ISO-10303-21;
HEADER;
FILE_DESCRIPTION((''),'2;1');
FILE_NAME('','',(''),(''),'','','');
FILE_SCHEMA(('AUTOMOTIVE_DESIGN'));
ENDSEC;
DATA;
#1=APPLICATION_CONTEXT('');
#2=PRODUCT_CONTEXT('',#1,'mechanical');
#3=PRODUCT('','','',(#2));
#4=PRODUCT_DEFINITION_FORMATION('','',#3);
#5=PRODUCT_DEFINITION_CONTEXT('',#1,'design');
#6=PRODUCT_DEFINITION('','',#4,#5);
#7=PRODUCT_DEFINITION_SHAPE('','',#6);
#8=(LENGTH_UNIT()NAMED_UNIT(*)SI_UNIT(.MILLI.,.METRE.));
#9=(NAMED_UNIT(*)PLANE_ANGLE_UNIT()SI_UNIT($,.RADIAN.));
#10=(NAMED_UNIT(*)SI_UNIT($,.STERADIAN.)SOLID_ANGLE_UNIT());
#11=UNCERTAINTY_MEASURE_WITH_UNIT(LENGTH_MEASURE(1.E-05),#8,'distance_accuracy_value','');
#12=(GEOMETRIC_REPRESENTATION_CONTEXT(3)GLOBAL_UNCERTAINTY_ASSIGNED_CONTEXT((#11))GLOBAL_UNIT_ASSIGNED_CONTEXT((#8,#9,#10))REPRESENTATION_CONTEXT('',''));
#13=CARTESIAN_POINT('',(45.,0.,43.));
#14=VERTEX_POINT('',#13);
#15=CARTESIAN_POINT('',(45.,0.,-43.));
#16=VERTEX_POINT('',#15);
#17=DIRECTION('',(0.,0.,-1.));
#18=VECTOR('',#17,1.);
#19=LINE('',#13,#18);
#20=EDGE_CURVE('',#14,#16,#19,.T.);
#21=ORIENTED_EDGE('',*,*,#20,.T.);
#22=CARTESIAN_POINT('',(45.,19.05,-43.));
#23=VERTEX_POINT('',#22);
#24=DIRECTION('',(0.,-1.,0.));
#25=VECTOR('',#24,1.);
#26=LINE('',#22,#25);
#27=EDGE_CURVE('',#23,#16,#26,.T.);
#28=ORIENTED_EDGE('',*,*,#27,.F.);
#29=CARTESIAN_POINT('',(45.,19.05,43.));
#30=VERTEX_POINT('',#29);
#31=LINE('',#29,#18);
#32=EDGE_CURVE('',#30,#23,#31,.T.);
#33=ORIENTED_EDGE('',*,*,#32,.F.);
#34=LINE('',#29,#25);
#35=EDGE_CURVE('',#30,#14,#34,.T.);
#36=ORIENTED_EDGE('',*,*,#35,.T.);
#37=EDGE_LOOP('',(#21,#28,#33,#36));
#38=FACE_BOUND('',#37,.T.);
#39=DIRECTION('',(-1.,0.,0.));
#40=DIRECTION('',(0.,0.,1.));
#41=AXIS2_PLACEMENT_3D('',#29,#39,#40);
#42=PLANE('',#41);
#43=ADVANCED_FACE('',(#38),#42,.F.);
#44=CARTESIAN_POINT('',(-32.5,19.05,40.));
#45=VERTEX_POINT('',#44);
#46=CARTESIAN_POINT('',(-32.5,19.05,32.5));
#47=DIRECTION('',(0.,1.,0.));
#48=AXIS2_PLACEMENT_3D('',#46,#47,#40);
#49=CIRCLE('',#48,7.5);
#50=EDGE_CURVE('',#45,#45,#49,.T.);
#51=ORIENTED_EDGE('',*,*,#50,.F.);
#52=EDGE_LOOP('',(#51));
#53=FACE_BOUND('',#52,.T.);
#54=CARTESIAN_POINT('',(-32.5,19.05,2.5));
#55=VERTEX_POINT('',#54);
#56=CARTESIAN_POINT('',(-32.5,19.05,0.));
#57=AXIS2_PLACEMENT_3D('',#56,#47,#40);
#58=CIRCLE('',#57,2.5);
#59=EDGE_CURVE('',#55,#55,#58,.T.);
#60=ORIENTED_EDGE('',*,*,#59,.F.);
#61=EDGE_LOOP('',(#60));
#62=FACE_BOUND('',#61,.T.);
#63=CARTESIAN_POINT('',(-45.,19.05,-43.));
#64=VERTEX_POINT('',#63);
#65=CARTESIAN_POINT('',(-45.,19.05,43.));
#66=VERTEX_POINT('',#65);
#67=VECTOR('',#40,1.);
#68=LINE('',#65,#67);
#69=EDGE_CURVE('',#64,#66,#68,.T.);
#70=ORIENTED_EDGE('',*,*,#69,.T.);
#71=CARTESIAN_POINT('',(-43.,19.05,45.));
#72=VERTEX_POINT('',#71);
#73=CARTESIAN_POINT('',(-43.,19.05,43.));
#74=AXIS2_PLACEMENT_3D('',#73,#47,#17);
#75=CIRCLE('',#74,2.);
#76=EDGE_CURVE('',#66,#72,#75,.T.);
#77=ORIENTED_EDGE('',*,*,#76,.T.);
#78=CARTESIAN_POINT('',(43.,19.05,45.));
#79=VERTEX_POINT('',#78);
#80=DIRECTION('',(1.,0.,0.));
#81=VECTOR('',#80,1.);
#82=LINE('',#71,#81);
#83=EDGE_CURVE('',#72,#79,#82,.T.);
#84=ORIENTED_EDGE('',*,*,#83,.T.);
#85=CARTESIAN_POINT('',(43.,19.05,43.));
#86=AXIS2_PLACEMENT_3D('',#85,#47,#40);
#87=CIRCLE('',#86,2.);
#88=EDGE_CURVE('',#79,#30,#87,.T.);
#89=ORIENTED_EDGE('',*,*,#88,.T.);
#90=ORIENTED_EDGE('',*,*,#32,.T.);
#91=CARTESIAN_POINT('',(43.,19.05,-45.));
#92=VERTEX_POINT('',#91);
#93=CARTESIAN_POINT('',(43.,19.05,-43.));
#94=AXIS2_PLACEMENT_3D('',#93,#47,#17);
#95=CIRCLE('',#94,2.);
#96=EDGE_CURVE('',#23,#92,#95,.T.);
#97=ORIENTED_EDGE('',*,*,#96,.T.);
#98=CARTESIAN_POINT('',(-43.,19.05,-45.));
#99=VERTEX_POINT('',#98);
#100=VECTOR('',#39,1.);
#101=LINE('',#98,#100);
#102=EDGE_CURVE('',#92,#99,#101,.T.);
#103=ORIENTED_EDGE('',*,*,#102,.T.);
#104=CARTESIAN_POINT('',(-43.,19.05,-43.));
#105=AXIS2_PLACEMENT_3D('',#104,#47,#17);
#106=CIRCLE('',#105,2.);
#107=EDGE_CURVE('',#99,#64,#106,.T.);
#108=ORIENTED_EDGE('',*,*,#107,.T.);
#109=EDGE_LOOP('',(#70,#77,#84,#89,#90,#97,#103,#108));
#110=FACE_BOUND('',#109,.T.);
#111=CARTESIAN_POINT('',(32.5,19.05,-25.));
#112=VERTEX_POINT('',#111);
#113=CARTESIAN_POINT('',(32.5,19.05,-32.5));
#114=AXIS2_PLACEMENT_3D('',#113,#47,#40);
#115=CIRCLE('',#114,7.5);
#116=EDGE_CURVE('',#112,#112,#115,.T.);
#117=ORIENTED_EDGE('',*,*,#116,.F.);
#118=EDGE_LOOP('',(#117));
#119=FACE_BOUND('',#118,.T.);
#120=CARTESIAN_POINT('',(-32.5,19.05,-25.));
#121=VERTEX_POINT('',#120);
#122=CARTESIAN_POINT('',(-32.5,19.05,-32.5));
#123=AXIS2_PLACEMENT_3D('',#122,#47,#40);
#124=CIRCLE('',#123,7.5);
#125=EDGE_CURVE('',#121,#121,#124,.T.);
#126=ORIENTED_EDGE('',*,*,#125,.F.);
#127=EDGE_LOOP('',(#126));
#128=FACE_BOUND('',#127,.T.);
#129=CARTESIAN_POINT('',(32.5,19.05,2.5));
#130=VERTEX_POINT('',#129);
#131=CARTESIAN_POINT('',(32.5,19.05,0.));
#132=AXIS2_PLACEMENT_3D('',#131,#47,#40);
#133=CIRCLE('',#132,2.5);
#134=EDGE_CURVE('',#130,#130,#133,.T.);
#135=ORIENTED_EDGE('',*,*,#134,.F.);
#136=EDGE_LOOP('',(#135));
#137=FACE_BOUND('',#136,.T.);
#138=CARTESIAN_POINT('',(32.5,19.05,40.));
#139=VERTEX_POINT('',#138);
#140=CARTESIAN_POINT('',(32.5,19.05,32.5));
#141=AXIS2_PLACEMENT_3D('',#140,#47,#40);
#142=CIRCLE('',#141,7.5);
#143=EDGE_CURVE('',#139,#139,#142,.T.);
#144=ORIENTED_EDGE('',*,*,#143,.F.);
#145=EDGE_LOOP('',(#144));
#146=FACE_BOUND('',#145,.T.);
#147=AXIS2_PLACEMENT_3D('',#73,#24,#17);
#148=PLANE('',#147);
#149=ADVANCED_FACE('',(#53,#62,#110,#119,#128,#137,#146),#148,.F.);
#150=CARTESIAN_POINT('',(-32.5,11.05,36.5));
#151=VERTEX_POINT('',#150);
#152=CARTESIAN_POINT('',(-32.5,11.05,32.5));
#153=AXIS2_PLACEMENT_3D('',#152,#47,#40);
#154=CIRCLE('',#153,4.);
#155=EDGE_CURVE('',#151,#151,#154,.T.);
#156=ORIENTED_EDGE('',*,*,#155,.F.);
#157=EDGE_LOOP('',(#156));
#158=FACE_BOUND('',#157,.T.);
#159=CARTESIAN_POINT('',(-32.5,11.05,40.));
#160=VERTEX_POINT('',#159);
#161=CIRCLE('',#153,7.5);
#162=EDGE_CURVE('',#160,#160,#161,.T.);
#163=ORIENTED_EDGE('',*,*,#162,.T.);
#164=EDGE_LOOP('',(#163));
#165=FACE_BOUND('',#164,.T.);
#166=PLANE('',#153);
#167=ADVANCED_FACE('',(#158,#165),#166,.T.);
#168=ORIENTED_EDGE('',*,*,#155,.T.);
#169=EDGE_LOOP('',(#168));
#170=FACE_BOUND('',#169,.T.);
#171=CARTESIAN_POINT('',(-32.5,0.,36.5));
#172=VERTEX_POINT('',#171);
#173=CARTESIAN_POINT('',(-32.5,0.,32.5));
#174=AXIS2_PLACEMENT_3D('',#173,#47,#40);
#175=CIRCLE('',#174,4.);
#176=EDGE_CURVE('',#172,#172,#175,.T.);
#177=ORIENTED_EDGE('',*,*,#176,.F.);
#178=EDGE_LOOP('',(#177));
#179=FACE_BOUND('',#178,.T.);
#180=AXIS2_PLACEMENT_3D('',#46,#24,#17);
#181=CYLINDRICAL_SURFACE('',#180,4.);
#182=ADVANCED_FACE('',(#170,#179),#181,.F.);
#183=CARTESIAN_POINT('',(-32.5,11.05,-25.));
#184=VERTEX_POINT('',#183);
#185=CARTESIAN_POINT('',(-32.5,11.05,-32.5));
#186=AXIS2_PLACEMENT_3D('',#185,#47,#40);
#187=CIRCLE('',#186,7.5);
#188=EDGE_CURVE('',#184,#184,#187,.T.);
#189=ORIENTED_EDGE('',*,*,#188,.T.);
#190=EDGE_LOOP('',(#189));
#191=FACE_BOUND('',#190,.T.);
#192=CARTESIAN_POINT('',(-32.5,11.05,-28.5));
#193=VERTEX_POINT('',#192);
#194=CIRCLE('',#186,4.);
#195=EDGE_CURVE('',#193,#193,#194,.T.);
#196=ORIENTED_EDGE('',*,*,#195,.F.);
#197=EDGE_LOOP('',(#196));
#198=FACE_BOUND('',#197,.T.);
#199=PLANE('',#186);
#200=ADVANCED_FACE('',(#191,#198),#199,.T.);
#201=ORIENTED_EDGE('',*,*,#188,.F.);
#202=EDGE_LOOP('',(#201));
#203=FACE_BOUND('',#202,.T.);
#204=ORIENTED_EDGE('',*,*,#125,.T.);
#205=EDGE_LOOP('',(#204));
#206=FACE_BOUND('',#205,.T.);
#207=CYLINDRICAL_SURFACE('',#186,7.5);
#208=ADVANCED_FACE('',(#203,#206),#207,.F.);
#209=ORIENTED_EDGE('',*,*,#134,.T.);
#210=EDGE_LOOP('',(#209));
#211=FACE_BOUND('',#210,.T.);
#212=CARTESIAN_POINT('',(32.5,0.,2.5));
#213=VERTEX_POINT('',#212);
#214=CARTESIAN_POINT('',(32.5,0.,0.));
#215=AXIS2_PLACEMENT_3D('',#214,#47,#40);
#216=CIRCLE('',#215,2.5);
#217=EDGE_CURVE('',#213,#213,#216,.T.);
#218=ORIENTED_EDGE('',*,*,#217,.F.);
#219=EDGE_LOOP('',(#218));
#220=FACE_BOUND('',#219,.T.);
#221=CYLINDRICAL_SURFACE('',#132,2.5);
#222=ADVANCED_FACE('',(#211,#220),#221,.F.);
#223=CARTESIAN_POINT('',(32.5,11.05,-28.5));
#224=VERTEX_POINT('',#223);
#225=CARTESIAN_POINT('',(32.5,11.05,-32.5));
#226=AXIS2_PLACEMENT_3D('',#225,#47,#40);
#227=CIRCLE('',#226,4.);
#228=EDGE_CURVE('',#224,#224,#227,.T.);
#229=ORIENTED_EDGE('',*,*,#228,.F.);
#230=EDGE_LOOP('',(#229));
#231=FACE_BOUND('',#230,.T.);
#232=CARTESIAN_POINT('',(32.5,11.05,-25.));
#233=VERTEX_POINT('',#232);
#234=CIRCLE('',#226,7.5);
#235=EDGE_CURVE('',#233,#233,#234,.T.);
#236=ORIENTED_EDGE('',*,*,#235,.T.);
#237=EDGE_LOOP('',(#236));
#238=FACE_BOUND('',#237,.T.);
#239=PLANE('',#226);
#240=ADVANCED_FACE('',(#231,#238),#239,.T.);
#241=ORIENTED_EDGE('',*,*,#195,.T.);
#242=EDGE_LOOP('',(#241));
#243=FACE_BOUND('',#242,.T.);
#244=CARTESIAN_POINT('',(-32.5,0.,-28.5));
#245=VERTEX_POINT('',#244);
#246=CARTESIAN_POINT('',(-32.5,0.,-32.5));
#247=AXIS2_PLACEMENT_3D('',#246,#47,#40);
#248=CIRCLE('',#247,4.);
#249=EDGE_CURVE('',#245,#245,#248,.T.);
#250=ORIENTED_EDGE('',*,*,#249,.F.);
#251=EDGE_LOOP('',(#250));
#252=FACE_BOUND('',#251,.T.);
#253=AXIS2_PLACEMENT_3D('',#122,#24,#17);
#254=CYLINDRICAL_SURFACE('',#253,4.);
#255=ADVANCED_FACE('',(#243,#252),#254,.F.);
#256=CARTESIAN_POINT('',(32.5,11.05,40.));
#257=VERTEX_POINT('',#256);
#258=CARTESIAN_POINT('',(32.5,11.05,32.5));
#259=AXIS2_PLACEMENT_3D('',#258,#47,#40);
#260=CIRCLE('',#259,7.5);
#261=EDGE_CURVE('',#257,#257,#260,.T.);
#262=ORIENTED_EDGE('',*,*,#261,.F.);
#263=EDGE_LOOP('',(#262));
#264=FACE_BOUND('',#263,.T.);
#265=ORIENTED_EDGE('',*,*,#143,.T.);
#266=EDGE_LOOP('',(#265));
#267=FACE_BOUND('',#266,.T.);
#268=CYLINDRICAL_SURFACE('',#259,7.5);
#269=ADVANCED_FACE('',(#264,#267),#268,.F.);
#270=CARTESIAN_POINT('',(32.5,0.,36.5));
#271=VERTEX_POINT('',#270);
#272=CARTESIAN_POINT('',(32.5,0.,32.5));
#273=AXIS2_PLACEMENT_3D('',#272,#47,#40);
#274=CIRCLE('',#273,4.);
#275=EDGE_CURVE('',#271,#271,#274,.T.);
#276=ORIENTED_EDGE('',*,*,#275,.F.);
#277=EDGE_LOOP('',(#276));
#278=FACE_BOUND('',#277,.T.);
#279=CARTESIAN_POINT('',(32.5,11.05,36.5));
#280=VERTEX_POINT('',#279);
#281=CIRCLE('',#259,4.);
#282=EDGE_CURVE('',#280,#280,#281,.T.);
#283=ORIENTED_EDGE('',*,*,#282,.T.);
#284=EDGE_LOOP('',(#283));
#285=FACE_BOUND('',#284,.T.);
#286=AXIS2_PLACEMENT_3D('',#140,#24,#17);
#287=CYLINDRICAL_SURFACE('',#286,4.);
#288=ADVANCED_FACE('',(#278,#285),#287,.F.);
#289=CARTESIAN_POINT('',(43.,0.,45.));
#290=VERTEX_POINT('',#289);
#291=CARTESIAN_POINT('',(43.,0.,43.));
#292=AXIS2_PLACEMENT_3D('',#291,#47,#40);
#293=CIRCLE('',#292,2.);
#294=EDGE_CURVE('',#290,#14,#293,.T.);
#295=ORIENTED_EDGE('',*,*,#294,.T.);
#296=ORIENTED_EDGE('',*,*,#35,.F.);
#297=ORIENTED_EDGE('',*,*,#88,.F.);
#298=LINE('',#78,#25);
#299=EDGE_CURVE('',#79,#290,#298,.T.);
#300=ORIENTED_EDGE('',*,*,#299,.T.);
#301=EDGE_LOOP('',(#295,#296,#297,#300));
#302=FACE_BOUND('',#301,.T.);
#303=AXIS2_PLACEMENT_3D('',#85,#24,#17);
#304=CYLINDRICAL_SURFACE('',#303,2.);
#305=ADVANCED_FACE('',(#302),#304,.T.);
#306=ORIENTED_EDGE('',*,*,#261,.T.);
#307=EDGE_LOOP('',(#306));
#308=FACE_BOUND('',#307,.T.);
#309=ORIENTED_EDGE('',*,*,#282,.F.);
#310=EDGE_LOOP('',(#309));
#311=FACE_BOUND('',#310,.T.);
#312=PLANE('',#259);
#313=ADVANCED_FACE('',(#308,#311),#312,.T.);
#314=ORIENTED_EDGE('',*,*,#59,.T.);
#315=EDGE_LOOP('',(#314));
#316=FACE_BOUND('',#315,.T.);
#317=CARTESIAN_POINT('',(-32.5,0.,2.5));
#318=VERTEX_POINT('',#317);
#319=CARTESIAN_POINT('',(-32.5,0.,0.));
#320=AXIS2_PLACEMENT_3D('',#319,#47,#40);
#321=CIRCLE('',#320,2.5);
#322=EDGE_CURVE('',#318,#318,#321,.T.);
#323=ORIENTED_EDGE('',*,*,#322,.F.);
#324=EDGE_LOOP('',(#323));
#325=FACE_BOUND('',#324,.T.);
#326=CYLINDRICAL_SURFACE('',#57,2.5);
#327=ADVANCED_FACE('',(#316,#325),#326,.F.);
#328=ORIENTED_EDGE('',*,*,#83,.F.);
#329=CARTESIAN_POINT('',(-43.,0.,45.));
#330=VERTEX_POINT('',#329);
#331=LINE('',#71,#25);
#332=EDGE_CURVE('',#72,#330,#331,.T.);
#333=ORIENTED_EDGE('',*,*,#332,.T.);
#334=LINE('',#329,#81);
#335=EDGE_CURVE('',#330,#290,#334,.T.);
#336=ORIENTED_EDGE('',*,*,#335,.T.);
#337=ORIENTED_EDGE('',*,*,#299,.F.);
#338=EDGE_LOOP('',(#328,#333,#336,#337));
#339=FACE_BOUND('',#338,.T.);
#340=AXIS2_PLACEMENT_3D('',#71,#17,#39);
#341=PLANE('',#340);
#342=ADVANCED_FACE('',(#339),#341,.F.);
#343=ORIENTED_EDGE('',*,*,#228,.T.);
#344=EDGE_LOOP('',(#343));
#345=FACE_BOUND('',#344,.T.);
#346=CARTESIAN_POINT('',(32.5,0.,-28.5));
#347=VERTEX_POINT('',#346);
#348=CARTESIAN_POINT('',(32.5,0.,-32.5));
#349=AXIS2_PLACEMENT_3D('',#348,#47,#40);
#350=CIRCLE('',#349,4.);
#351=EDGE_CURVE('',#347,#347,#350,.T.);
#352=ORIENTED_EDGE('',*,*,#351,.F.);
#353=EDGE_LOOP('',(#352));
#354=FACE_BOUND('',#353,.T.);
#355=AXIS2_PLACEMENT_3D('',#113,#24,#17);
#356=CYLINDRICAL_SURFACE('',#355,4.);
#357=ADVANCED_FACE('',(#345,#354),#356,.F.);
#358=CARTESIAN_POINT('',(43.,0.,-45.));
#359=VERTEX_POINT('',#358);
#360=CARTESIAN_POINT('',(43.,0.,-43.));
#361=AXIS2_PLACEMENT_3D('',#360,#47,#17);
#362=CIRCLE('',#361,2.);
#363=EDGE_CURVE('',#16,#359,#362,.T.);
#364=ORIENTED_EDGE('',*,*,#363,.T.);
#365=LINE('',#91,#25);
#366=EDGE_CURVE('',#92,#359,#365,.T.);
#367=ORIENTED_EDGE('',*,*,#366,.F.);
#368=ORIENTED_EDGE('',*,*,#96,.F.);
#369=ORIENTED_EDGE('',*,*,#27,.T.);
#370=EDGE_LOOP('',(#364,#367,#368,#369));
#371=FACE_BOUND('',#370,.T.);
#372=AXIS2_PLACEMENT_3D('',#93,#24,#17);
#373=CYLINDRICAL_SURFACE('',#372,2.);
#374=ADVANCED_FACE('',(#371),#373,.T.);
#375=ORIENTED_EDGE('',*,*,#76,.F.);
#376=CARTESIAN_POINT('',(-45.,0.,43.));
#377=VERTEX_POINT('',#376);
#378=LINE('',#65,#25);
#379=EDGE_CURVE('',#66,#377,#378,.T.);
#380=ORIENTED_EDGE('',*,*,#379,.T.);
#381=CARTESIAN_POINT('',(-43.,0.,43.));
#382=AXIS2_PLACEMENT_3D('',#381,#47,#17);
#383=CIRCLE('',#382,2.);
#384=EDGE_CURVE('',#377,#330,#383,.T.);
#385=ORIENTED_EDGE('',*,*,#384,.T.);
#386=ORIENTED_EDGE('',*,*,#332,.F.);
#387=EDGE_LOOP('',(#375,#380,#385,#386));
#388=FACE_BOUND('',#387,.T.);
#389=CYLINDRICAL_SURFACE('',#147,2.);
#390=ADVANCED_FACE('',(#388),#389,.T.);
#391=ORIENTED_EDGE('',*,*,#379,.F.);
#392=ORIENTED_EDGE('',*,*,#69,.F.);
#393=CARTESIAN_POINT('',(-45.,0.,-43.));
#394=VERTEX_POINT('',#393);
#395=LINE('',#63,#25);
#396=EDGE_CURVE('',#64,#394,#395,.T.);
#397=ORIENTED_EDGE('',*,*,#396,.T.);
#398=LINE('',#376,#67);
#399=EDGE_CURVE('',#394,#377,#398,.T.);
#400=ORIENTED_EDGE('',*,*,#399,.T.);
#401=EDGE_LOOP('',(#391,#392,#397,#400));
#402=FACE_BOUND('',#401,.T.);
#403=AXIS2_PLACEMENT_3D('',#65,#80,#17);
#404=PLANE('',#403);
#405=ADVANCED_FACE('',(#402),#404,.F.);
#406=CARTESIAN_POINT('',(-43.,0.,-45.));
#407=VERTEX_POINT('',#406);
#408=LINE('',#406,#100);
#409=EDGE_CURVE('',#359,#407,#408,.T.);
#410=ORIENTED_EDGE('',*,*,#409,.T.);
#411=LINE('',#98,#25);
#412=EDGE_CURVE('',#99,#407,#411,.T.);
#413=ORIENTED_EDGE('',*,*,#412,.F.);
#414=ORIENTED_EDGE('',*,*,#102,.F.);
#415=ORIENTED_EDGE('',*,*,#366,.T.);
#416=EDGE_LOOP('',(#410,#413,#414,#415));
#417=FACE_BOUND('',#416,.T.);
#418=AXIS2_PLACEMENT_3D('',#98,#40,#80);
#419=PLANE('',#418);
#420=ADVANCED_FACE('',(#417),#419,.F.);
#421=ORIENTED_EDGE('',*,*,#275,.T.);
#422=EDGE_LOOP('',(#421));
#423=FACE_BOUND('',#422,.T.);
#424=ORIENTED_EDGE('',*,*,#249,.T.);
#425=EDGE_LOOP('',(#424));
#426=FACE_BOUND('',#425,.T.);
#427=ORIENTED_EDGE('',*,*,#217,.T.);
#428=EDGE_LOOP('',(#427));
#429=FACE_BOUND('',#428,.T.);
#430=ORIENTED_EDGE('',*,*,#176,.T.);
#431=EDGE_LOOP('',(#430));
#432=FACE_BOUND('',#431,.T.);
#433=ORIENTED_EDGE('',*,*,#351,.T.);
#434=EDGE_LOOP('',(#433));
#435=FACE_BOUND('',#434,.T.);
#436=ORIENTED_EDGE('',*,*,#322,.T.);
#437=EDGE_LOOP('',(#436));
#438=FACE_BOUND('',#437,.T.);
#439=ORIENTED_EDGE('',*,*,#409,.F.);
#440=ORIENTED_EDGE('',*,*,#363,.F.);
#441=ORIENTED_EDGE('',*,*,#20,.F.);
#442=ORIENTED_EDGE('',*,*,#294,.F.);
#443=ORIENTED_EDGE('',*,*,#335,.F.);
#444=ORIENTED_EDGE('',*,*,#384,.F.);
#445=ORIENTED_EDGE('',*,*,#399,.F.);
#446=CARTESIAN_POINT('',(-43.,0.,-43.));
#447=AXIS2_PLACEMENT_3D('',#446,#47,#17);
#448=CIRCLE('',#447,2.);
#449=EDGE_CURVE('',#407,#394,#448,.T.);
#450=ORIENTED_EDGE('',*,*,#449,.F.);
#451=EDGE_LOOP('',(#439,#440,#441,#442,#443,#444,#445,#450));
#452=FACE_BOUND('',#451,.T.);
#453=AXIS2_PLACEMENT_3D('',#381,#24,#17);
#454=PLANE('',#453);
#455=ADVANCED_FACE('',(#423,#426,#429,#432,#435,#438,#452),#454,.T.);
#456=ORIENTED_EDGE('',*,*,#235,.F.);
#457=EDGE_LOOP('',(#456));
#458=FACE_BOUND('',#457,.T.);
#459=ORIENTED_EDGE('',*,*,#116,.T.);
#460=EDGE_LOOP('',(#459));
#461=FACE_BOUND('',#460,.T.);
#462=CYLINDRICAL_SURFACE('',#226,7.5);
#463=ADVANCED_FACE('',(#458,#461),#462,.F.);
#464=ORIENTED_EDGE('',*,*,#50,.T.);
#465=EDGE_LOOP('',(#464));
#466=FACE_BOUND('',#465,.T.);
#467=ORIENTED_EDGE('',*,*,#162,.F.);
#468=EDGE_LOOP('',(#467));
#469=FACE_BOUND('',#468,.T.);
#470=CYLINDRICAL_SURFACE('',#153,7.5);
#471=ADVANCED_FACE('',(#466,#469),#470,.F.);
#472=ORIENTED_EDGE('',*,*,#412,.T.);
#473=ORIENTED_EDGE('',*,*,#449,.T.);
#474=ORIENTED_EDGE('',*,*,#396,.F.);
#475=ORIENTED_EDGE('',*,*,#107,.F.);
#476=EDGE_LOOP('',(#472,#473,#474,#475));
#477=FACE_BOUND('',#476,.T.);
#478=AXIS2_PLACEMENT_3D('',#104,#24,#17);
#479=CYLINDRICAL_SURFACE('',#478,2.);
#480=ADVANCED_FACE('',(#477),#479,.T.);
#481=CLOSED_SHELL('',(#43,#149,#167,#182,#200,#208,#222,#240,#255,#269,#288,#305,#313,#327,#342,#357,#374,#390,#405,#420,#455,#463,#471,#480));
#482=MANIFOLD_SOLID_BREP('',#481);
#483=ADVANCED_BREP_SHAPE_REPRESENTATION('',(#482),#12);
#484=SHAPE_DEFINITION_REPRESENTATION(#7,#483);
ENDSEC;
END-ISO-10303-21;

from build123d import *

# Parameters (mm, degrees)
SKETCH1_R             = 4
BOSS_EXTRUDE1_DEPTH   = 19.05
SKETCH2_R             = 7.5
CUT_EXTRUDE1_DEPTH    = 8
M6X1_0_TAPPED_HOLE1_D = 5


with BuildPart() as part:
    # Sketch1 → Boss-Extrude1 (new body)
    with BuildSketch(Plane(origin=(0, 0, 0), x_dir=(1, 0, 0), z_dir=(0, 1, 0))):
        with BuildLine():
            Line((-43, -45), (43, -45))
            ThreePointArc((43, -45), (44.414213562, -44.414213562), (45, -43))
            Line((45, -43), (45, 43))
            ThreePointArc((45, 43), (44.414213562, 44.414213562), (43, 45))
            Line((43, 45), (-43, 45))
            ThreePointArc((-43, 45), (-44.414213562, 44.414213562), (-45, 43))
            Line((-45, 43), (-45, -43))
            ThreePointArc((-45, -43), (-44.414213562, -44.414213562), (-43, -45))
        make_face()
        with Locations((-32.5, 32.5)):
            Circle(SKETCH1_R, mode=Mode.SUBTRACT)
        with Locations((32.5, 32.5)):
            Circle(SKETCH1_R, mode=Mode.SUBTRACT)
        with Locations((32.5, -32.5)):
            Circle(SKETCH1_R, mode=Mode.SUBTRACT)
        with Locations((-32.5, -32.5)):
            Circle(SKETCH1_R, mode=Mode.SUBTRACT)
    extrude(amount=BOSS_EXTRUDE1_DEPTH)

    # Sketch2 → Cut-Extrude1 (cut)
    with BuildSketch(Plane(origin=(0, 19.05, 0), x_dir=(1, 0, 0), z_dir=(0, 1, 0))):
        with Locations((-32.5, -32.5)):
            Circle(SKETCH2_R)
        with Locations((32.5, -32.5)):
            Circle(SKETCH2_R)
        with Locations((32.5, 32.5)):
            Circle(SKETCH2_R)
        with Locations((-32.5, 32.5)):
            Circle(SKETCH2_R)
    extrude(amount=-CUT_EXTRUDE1_DEPTH, mode=Mode.SUBTRACT)

    # M6x1.0 Tapped Hole1 (through all)
    with Locations(Plane(origin=(0, 19.05, 0), x_dir=(1, 0, 0), z_dir=(0, 1, 0))):
        with Locations((-32.5, 0), (32.5, 0)):
            Hole(M6X1_0_TAPPED_HOLE1_D / 2)


solid = part.part
